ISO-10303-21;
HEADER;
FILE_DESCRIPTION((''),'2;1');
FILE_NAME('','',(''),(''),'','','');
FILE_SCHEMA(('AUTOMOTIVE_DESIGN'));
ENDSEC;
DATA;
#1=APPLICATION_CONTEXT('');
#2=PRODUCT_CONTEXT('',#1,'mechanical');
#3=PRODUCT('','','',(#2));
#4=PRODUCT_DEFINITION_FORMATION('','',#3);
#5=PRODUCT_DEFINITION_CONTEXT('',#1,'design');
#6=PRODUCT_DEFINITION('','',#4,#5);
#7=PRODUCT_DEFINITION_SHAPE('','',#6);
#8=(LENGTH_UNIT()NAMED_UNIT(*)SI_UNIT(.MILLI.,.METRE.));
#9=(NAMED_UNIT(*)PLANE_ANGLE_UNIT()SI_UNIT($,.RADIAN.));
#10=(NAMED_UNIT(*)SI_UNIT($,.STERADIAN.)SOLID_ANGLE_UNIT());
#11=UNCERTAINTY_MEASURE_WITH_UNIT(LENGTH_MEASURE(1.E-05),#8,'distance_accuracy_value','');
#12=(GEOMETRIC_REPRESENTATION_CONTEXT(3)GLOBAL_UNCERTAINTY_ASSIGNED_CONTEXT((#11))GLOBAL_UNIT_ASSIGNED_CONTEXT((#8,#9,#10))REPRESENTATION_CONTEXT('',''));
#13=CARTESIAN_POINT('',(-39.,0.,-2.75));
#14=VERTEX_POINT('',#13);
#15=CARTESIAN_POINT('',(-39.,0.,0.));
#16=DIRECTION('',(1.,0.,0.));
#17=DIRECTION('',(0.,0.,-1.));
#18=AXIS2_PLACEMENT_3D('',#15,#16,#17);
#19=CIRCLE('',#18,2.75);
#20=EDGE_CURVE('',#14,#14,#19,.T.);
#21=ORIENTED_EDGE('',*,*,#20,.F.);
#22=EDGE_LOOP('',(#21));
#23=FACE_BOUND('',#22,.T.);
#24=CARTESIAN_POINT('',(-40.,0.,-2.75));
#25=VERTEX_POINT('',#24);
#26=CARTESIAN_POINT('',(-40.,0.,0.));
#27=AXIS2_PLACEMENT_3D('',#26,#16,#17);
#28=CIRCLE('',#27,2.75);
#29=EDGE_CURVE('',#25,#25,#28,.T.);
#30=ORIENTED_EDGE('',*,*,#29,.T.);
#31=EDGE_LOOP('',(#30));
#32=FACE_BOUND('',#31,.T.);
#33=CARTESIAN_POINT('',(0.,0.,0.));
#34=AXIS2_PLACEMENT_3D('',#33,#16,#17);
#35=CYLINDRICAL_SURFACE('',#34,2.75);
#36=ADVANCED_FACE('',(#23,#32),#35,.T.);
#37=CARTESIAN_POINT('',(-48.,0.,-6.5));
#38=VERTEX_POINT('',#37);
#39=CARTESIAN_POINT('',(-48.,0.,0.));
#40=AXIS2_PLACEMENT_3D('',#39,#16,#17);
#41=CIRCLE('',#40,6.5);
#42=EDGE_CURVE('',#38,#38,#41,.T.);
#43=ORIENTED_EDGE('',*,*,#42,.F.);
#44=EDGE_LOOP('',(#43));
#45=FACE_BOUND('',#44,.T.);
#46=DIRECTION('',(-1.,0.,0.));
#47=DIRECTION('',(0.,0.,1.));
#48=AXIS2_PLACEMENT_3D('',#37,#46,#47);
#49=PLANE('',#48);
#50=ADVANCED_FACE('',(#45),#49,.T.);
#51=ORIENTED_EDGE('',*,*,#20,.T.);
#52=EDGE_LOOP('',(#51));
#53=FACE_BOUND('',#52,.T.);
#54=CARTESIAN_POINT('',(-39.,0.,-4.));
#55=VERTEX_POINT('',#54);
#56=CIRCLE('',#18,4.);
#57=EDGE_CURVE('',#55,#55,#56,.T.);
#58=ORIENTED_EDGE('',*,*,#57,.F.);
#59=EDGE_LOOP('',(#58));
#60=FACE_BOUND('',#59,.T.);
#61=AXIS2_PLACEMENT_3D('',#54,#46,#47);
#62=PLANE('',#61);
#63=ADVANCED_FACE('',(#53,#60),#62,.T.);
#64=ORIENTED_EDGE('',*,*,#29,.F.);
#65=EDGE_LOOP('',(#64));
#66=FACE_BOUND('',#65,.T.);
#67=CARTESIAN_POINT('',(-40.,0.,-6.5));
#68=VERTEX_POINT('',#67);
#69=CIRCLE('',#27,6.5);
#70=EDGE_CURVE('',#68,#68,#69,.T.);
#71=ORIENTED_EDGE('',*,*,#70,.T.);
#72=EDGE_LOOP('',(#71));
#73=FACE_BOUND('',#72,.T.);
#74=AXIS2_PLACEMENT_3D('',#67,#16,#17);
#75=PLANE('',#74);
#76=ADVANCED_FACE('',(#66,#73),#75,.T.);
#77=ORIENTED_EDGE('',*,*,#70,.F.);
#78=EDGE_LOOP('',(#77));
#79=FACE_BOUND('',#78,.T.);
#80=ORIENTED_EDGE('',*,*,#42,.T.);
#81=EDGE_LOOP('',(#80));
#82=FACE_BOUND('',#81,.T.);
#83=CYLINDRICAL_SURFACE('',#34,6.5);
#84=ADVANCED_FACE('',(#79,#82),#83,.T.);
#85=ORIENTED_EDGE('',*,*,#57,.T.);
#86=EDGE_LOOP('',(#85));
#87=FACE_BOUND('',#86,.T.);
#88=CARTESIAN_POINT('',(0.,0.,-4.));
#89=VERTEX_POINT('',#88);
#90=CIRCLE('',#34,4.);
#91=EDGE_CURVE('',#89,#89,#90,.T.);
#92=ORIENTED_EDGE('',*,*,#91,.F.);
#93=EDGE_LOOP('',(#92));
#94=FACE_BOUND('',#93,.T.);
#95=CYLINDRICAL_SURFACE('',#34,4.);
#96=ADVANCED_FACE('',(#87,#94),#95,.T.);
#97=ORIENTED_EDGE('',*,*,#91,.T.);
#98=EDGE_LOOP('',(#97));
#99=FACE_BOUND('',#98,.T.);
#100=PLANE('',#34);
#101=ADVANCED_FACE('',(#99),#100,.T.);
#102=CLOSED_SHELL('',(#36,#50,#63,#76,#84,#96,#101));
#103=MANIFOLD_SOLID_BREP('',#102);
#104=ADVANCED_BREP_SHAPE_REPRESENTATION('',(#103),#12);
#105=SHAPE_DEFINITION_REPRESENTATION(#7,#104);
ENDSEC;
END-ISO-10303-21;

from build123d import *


with BuildPart() as part:
    # Sketch2 → Revolve1 (revolve)
    with BuildSketch(Plane(origin=(0, 0, 0), x_dir=(1, 0, 0), z_dir=(0, 1, 0))):
        Polygon((0, 0), (-46.6, 0), (-48, 0), (-48, 6.5), (-40, 6.5), (-40, 2.75), (-39, 2.75), (-39, 4), (0, 4), align=None)
    revolve(axis=Axis((0, 0, 0), (-1, 0, 0)))


solid = part.part
